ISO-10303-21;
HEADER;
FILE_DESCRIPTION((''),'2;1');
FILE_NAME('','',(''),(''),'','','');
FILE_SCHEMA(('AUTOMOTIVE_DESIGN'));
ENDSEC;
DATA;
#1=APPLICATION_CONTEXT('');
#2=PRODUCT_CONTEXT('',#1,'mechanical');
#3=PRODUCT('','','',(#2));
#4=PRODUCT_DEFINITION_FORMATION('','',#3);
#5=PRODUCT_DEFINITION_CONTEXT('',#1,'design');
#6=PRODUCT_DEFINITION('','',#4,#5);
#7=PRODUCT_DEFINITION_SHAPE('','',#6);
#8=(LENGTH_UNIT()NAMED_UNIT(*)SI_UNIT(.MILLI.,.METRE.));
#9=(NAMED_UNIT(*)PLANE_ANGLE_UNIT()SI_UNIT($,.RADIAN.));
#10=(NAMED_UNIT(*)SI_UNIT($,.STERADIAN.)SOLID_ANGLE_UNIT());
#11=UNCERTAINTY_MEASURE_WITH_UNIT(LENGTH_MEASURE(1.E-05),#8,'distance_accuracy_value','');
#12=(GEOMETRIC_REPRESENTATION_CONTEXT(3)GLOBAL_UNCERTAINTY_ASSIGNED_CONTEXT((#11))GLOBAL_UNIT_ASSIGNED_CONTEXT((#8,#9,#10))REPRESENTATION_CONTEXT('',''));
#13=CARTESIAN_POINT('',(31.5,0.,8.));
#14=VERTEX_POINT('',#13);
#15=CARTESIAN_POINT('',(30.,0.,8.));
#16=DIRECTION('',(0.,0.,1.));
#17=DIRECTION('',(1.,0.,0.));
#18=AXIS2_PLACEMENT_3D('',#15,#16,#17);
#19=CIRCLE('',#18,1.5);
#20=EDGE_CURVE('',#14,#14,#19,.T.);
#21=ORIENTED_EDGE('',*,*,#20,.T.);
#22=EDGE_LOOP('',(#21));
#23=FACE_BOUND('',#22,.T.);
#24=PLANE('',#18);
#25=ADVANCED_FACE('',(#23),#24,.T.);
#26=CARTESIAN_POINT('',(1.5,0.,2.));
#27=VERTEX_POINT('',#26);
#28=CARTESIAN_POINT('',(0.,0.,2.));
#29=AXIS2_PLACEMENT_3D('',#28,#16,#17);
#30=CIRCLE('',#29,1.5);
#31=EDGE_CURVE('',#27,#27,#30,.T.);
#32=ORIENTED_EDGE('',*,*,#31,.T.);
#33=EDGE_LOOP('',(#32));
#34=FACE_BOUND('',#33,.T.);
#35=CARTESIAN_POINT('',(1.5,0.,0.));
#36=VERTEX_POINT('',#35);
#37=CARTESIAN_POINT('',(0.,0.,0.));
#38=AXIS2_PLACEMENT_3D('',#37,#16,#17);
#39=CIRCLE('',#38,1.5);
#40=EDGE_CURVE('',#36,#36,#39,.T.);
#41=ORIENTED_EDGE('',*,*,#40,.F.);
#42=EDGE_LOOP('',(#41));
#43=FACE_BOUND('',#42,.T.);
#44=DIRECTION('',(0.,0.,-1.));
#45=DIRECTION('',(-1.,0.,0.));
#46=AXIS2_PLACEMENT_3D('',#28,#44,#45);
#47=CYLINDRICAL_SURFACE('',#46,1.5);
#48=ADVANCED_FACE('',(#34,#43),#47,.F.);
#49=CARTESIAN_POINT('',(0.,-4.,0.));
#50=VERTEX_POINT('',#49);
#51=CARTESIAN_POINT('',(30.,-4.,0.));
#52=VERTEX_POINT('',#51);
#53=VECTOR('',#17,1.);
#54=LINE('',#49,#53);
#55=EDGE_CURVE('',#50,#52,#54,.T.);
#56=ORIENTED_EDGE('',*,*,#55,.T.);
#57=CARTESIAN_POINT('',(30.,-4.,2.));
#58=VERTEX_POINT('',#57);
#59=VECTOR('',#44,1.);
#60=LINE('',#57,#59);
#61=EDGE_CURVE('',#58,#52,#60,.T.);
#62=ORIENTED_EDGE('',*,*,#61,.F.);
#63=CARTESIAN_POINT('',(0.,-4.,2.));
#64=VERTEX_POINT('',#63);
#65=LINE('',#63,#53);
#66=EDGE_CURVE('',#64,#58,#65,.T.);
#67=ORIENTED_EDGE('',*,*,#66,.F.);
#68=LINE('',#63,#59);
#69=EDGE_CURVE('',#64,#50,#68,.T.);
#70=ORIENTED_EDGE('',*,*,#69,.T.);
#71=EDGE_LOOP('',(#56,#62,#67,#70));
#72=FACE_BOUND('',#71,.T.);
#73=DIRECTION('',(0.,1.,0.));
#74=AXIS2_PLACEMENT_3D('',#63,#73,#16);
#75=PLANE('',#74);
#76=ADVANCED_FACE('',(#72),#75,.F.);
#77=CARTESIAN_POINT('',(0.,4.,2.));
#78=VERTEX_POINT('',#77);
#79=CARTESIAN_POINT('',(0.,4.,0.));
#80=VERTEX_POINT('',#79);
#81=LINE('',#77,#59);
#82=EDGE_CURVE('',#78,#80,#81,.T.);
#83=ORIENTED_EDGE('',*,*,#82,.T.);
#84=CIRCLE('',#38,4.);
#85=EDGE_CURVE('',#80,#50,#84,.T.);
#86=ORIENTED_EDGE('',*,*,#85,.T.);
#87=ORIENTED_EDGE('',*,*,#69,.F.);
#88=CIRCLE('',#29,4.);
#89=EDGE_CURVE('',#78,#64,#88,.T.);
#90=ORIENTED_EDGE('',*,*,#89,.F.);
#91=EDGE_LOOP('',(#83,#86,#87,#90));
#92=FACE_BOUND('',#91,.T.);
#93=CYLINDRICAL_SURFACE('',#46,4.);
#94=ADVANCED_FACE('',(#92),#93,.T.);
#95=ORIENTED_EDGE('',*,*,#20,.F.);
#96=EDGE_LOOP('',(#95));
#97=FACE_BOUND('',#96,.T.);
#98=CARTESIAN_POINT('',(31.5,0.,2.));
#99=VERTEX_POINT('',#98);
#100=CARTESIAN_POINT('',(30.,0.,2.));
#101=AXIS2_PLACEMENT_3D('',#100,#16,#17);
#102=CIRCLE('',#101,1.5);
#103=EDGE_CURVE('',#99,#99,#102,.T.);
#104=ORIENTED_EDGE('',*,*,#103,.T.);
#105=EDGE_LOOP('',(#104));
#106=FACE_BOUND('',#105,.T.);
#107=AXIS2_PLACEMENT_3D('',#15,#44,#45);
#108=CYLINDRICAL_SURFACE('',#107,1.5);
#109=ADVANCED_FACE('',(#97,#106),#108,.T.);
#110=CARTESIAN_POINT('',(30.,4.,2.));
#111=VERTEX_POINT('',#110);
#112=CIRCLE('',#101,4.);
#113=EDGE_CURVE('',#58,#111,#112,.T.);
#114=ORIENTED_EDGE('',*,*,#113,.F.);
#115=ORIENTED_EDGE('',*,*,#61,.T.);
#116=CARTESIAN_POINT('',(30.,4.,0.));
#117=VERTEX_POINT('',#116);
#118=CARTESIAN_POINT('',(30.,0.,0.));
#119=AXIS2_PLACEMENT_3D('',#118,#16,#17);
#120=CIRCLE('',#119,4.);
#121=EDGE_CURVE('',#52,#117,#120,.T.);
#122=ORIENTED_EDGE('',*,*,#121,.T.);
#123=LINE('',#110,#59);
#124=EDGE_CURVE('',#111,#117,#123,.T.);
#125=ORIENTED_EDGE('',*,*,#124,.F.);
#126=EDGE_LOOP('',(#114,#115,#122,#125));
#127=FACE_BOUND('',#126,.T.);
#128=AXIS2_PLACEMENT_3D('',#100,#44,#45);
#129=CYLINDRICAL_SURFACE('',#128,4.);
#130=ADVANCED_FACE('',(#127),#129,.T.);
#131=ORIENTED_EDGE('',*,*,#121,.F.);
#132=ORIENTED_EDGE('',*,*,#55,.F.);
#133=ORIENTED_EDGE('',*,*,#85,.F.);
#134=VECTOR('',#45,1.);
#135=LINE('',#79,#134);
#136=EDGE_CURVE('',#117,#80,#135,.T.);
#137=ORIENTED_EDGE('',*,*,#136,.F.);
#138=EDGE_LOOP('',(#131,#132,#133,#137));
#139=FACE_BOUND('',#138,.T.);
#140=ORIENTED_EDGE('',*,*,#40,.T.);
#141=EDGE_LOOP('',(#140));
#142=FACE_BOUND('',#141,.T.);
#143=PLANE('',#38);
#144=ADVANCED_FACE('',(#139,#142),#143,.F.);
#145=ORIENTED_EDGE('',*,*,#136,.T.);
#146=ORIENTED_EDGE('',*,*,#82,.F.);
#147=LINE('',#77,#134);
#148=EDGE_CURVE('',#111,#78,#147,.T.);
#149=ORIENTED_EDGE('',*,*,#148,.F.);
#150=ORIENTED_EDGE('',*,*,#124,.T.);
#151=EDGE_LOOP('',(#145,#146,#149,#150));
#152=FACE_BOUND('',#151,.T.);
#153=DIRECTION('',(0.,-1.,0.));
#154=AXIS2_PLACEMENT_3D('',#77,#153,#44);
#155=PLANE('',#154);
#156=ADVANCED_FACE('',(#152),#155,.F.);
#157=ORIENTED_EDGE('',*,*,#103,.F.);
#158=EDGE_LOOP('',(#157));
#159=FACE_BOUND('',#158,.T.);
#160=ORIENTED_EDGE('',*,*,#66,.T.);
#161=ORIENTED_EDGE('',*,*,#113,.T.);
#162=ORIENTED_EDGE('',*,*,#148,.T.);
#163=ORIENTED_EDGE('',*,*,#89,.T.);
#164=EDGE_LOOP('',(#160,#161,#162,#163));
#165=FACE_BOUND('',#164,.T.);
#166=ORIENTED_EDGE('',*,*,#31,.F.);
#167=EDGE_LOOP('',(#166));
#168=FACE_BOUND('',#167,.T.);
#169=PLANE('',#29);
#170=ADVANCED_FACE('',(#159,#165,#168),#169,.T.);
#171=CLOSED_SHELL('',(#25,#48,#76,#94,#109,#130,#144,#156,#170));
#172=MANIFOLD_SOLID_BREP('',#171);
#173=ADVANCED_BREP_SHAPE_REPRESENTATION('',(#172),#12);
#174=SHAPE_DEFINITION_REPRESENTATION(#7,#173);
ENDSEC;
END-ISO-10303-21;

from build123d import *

# Parameters (mm, degrees)
SKETCH1_R           = 1.5
BOSS_EXTRUDE1_DEPTH = 2
SKETCH2_R           = 1.5
BOSS_EXTRUDE2_DEPTH = 6


with BuildPart() as part:
    # Sketch1 → Boss-Extrude1 (new body)
    with BuildSketch(Plane.XY):
        with BuildLine():
            Line((0, 4), (30, 4))
            ThreePointArc((30, 4), (34, 0), (30, -4))
            Line((30, -4), (0, -4))
            ThreePointArc((0, -4), (-4, 0), (0, 4))
        make_face()
        Circle(SKETCH1_R, mode=Mode.SUBTRACT)
    extrude(amount=BOSS_EXTRUDE1_DEPTH)

    # Sketch2 → Boss-Extrude2 (add)
    with BuildSketch(Plane.XY.offset(2)):
        with Locations((30, 0)):
            Circle(SKETCH2_R)
    extrude(amount=BOSS_EXTRUDE2_DEPTH)


solid = part.part
